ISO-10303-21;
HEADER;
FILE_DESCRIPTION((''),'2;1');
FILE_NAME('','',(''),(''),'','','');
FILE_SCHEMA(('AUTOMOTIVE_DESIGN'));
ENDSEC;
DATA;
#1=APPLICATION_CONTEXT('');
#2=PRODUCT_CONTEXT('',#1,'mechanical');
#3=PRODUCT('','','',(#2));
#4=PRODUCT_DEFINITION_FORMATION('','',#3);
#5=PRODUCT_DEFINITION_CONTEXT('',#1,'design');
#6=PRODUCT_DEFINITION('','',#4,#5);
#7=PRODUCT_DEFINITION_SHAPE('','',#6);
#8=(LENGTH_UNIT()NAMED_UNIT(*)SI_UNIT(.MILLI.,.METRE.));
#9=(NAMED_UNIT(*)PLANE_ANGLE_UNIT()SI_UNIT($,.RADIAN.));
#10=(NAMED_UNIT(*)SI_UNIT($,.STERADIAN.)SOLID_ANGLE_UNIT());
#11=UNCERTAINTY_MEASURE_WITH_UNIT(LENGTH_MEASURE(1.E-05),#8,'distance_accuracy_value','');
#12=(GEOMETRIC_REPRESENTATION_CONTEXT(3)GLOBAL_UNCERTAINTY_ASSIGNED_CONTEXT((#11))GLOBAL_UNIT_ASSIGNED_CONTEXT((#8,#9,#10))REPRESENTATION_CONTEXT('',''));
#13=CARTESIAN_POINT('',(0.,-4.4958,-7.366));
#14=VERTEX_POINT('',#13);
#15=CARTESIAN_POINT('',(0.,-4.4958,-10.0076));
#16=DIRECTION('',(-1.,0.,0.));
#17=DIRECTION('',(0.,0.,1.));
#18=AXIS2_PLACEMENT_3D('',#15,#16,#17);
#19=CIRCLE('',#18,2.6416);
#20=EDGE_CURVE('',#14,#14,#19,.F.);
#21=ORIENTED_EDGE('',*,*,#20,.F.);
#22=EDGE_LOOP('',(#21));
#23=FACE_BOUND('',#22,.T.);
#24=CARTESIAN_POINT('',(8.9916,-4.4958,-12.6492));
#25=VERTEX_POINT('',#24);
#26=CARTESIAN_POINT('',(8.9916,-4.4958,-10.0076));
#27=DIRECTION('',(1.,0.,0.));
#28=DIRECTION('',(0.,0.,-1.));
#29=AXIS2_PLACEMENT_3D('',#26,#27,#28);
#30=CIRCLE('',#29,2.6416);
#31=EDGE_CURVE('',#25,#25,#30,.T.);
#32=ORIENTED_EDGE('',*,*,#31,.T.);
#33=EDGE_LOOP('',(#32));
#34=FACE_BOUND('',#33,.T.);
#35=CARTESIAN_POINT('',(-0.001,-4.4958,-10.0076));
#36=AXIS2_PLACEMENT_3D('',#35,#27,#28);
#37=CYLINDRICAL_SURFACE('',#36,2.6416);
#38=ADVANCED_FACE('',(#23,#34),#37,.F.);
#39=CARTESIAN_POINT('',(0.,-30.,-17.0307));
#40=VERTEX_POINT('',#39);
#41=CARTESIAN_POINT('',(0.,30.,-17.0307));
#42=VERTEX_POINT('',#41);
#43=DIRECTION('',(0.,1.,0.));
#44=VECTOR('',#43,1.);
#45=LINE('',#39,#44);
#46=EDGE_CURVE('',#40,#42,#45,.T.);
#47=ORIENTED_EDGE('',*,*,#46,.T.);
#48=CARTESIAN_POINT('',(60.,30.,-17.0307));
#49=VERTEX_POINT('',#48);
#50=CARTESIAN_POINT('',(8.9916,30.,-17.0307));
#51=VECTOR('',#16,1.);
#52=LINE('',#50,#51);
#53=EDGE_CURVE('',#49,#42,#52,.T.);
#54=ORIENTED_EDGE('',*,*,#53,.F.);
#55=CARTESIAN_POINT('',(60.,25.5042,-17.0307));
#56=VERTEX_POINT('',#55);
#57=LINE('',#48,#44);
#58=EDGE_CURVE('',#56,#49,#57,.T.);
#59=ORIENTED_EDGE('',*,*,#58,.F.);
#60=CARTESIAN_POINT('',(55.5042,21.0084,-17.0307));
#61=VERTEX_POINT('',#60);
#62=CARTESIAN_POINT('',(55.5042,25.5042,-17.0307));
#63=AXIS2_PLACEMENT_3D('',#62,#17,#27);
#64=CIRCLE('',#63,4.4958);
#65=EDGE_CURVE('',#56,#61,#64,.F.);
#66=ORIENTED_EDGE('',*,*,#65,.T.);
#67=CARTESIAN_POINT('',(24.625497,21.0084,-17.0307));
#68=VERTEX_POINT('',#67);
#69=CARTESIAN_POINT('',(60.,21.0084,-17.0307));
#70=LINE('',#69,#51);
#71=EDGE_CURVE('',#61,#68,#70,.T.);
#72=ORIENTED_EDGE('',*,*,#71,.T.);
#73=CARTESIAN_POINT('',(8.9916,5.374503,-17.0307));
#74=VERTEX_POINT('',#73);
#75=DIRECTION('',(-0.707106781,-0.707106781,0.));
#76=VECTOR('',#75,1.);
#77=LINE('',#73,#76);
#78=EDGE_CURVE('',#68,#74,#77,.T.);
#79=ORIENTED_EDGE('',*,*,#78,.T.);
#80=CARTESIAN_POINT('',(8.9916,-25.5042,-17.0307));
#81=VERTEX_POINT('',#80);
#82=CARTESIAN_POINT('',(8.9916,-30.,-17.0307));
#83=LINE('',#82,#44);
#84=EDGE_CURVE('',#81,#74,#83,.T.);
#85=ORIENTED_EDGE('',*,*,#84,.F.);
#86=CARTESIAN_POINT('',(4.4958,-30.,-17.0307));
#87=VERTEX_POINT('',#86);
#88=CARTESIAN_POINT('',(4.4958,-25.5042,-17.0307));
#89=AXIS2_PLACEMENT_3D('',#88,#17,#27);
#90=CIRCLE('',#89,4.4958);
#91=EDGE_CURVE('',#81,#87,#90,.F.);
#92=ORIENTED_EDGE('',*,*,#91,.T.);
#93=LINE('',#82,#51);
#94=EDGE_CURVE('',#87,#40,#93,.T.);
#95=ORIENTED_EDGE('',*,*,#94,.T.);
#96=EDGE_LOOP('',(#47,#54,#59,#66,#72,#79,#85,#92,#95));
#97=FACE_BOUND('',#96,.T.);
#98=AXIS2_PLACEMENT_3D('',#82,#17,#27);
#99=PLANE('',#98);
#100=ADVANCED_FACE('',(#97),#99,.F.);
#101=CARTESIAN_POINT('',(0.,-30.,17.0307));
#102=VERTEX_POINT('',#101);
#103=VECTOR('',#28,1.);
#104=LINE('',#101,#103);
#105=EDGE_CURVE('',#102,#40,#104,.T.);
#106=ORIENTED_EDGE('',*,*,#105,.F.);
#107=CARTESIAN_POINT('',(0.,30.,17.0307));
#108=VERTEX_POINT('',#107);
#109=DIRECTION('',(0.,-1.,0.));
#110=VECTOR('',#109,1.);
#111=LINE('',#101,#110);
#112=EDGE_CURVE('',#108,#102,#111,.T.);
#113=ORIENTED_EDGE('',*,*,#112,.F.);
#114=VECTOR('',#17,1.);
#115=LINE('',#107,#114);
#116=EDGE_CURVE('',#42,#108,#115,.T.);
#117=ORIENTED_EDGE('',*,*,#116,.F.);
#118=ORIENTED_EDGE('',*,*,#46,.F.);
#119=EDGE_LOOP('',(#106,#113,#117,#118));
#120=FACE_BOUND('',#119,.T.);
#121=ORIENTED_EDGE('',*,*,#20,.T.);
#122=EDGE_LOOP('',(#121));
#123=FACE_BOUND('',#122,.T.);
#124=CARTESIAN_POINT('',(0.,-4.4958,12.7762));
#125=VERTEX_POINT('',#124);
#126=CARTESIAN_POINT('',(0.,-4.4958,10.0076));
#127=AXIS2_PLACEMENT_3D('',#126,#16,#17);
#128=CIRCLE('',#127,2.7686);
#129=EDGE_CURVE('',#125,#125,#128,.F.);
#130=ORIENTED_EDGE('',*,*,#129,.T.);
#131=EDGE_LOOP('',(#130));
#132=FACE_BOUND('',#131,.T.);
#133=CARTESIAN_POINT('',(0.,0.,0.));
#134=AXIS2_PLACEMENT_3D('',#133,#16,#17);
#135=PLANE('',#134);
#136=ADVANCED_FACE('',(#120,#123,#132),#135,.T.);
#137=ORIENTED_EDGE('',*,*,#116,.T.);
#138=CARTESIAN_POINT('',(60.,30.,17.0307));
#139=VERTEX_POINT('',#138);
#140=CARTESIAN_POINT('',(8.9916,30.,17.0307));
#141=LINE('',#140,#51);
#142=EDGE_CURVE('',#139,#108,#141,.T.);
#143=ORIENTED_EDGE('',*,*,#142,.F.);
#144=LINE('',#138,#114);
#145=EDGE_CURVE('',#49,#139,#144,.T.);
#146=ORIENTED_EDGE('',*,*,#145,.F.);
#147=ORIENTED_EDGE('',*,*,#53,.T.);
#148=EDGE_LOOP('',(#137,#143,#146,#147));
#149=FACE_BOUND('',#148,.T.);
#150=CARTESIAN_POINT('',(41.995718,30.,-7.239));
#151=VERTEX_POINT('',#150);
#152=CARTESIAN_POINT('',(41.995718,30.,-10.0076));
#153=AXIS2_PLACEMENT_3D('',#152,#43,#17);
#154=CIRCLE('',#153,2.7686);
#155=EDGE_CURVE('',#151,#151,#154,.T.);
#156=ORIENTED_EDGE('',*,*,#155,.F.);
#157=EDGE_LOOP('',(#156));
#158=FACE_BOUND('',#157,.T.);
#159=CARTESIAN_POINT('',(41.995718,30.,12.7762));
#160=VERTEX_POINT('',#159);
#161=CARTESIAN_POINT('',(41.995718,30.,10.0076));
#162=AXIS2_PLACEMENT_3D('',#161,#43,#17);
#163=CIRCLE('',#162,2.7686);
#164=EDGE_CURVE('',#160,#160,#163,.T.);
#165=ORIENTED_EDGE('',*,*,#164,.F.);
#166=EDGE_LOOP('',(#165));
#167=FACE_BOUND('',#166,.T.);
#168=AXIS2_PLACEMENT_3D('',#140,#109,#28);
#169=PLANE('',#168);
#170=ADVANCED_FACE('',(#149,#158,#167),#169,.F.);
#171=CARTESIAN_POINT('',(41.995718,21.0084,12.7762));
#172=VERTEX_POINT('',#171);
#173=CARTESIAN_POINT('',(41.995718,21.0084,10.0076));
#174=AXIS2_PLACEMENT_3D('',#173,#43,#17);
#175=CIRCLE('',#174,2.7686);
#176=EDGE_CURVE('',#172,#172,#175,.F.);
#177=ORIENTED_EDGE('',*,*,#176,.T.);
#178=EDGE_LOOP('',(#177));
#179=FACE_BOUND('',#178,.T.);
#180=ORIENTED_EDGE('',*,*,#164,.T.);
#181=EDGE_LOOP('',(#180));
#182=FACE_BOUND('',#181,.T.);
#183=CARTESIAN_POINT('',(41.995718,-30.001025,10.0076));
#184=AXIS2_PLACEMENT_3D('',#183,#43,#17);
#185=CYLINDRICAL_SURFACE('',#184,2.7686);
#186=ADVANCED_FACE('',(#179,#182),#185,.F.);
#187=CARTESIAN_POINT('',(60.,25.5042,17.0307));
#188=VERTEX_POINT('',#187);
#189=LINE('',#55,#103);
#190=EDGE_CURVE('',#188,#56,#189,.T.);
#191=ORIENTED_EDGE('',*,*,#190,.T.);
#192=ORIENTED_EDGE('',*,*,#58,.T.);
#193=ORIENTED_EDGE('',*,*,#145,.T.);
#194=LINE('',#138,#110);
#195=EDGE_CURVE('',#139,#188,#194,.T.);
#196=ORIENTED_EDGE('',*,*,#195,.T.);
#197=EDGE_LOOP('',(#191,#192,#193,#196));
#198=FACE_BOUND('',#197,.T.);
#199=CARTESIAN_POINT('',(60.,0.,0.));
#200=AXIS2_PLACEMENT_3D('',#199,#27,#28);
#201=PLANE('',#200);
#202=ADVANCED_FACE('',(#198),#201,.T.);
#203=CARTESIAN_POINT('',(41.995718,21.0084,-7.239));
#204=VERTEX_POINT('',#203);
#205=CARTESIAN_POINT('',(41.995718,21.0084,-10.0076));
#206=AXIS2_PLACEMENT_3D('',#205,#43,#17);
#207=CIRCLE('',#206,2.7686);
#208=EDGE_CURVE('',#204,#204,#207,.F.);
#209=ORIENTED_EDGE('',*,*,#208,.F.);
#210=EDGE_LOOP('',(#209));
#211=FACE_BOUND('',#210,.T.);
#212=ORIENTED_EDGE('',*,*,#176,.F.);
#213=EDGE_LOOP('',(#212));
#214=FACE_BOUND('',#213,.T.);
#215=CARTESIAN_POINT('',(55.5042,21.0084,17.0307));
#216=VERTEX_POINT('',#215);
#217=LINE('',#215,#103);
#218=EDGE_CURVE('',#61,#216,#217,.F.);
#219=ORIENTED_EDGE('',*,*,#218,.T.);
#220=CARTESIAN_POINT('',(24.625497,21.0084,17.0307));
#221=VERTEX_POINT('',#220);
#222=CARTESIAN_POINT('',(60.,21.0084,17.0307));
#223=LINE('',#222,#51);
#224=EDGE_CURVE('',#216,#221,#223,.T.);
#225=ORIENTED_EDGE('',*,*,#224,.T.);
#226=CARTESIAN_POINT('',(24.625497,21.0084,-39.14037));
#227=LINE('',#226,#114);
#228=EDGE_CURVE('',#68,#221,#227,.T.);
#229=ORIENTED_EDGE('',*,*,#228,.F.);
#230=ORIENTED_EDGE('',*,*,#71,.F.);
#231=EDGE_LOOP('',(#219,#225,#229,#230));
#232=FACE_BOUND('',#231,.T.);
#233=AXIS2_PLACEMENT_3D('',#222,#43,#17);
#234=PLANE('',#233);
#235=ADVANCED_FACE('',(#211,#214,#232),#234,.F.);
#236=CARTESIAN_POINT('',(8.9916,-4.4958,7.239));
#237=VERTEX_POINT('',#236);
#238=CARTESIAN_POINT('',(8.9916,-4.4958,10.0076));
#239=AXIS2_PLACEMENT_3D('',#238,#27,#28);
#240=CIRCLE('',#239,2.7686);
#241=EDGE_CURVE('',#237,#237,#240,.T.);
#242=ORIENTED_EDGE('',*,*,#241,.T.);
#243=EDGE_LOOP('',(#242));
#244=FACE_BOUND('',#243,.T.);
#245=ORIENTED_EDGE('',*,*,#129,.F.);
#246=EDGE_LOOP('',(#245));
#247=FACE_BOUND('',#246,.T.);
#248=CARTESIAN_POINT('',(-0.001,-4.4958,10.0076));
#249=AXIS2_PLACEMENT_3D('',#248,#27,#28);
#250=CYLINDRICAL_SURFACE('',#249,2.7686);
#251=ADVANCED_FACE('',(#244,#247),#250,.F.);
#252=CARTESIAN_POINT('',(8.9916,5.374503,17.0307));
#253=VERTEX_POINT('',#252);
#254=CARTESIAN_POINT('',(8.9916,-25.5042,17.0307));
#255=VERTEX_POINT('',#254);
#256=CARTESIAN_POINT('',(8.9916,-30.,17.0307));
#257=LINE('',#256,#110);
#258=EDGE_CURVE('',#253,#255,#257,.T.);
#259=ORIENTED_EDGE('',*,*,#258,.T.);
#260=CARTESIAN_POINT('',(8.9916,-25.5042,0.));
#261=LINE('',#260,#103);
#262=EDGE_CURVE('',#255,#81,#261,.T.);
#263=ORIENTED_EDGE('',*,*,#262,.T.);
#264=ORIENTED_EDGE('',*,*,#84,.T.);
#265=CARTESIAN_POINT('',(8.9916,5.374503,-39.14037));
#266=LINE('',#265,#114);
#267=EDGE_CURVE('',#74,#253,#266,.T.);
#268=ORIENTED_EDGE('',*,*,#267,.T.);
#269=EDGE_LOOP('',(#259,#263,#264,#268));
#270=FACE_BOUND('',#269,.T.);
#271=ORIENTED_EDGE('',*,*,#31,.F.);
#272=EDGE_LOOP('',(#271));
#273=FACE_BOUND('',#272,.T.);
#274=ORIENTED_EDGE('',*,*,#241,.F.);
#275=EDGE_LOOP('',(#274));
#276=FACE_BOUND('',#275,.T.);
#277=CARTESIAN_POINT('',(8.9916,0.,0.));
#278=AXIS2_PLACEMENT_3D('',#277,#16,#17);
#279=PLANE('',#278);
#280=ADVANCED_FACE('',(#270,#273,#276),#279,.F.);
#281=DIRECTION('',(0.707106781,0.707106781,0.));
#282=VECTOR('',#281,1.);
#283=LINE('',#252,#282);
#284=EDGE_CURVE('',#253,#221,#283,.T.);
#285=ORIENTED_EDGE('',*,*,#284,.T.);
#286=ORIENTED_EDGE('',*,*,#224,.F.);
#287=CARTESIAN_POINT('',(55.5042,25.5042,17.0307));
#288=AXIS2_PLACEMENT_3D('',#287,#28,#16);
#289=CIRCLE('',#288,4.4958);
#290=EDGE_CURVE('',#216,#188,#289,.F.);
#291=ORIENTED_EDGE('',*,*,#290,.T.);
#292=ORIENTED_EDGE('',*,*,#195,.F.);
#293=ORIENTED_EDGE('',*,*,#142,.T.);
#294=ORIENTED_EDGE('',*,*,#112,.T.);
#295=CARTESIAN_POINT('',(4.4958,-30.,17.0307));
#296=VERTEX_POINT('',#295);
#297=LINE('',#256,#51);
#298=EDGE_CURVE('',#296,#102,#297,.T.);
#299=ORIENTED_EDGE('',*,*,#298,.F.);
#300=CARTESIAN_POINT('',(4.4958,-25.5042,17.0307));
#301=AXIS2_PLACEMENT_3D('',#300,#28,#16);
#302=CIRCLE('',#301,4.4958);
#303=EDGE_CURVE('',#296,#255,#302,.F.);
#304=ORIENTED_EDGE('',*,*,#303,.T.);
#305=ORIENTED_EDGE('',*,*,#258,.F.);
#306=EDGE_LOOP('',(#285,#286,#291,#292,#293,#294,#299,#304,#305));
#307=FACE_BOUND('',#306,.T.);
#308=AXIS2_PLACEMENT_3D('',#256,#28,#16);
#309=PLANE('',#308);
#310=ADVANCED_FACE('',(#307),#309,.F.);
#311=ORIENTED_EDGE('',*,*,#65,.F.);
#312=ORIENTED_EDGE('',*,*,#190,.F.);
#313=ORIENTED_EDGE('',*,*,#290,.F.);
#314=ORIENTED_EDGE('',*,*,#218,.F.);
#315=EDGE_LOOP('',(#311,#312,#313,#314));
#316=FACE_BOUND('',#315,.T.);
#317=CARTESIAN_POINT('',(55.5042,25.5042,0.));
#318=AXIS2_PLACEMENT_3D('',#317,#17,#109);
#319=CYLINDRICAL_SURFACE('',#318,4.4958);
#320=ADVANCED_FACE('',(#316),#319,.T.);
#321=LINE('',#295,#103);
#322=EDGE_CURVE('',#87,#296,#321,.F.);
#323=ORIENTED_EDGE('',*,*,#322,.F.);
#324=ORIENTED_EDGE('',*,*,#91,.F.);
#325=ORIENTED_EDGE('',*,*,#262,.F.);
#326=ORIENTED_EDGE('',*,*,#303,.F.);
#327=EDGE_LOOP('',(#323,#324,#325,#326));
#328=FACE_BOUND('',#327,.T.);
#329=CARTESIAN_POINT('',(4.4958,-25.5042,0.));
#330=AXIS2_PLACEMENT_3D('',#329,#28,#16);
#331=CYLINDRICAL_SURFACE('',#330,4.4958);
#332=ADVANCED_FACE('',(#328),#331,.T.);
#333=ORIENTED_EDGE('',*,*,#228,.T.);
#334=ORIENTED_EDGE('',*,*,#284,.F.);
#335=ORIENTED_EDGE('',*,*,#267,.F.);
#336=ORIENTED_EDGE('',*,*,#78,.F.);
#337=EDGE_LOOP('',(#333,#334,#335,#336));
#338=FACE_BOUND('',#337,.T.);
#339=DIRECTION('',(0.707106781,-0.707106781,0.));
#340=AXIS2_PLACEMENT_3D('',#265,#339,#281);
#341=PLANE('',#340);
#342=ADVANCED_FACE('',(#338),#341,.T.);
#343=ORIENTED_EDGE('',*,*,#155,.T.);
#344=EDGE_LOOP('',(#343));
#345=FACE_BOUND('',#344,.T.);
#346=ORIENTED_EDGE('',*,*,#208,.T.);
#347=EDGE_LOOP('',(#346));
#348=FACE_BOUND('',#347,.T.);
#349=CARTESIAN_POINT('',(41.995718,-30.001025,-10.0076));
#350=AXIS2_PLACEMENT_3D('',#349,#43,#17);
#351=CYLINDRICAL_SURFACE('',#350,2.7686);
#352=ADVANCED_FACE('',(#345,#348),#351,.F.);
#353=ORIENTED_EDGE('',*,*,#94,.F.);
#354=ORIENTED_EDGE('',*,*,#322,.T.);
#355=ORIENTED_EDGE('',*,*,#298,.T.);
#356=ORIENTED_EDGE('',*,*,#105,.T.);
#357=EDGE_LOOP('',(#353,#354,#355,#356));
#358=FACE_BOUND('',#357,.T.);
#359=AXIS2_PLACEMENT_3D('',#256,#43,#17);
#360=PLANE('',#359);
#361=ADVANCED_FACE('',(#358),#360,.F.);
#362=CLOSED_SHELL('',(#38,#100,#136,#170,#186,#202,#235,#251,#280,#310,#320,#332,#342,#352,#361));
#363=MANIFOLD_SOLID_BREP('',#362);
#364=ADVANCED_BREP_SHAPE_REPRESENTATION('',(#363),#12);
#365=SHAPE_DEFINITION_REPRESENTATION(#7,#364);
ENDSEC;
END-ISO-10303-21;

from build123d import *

# Parameters (mm, degrees)
SKETCH1_W           = 34.0614
SKETCH1_H           = 60
BOSS_EXTRUDE1_DEPTH = 8.9916
SKETCH2_W           = 34.0614
SKETCH2_H           = 8.9916
BOSS_EXTRUDE2_DEPTH = 51.0084
CUT_EXTRUDE2_REACH  = 10.992
SKETCH5_R           = 2.7686
SKETCH5_R_2         = 2.6416
CUT_EXTRUDE3_REACH  = 62
SKETCH6_R           = 2.7686
BOSS_EXTRUDE3_DEPTH = 34.0614
FILLET1_R           = 4.4958


with BuildPart() as part:
    # Sketch1 → Boss-Extrude1 (new body)
    with BuildSketch(Plane(origin=(0, 0, 0), x_dir=(0, 0, -1), z_dir=(1, 0, 0))):
        Rectangle(SKETCH1_W, SKETCH1_H)
    extrude(amount=BOSS_EXTRUDE1_DEPTH)

    # Sketch2 → Boss-Extrude2 (add)
    with BuildSketch(Plane(origin=(8.9916, 0, 0), x_dir=(0, 0, -1), z_dir=(1, 0, 0))):
        with Locations((0, 25.5042)):
            Rectangle(SKETCH2_W, SKETCH2_H)
    extrude(amount=BOSS_EXTRUDE2_DEPTH)

    # Sketch5 → Cut-Extrude2 (cut, up to next)
    with BuildSketch(Plane(origin=(8.9916, 0, 0), x_dir=(0, 0, -1), z_dir=(1, 0, 0)), mode=Mode.PRIVATE) as cut_extrude2_sk1:
        with Locations((-10.0076, -4.4958)):
            Circle(SKETCH5_R)
    cut_extrude2_tool1 = extrude(cut_extrude2_sk1.sketch, amount=-CUT_EXTRUDE2_REACH, mode=Mode.PRIVATE) & part.part
    add(cut_extrude2_tool1.solids().sort_by_distance((8.9916, -4.4958, 10.0076))[0], mode=Mode.SUBTRACT)
    # Sketch5 → Cut-Extrude2 (cut, up to next)
    with BuildSketch(Plane(origin=(8.9916, 0, 0), x_dir=(0, 0, -1), z_dir=(1, 0, 0)), mode=Mode.PRIVATE) as cut_extrude2_sk2:
        with Locations((10.0076, -4.4958)):
            Circle(SKETCH5_R_2)
    cut_extrude2_tool2 = extrude(cut_extrude2_sk2.sketch, amount=-CUT_EXTRUDE2_REACH, mode=Mode.PRIVATE) & part.part
    add(cut_extrude2_tool2.solids().sort_by_distance((8.9916, -4.4958, -10.0076))[0], mode=Mode.SUBTRACT)

    # Sketch6 → Cut-Extrude3 (cut, up to next)
    with BuildSketch(Plane(origin=(0, 30, 0), x_dir=(1, 0, 0), z_dir=(0, 1, 0)), mode=Mode.PRIVATE) as cut_extrude3_sk1:
        with Locations((41.995718, 10.0076)):
            Circle(SKETCH6_R)
    cut_extrude3_tool1 = extrude(cut_extrude3_sk1.sketch, amount=-CUT_EXTRUDE3_REACH, mode=Mode.PRIVATE) & part.part
    add(cut_extrude3_tool1.solids().sort_by_distance((41.995718, 30, -10.0076))[0], mode=Mode.SUBTRACT)
    # Sketch6 → Cut-Extrude3 (cut, up to next)
    with BuildSketch(Plane(origin=(0, 30, 0), x_dir=(1, 0, 0), z_dir=(0, 1, 0)), mode=Mode.PRIVATE) as cut_extrude3_sk2:
        with Locations((41.995718, -10.0076)):
            Circle(SKETCH6_R)
    cut_extrude3_tool2 = extrude(cut_extrude3_sk2.sketch, amount=-CUT_EXTRUDE3_REACH, mode=Mode.PRIVATE) & part.part
    add(cut_extrude3_tool2.solids().sort_by_distance((41.995718, 30, 10.0076))[0], mode=Mode.SUBTRACT)

    # Sketch7 → Boss-Extrude3 (add)
    with BuildSketch(Plane.XY.offset(17.0307)):
        Polygon((8.9916, 21.0084), (8.9916, 5.37450259), (24.62549741, 21.0084), align=None)
    extrude(amount=-BOSS_EXTRUDE3_DEPTH)

    # Fillet1
    fillet1_edges = [part.edges().sort_by_distance(p)[0] for p in [
        (8.9916, -30, 0),
        (60, 21.0084, 0),
    ]]
    fillet(fillet1_edges, radius=FILLET1_R)


solid = part.part
